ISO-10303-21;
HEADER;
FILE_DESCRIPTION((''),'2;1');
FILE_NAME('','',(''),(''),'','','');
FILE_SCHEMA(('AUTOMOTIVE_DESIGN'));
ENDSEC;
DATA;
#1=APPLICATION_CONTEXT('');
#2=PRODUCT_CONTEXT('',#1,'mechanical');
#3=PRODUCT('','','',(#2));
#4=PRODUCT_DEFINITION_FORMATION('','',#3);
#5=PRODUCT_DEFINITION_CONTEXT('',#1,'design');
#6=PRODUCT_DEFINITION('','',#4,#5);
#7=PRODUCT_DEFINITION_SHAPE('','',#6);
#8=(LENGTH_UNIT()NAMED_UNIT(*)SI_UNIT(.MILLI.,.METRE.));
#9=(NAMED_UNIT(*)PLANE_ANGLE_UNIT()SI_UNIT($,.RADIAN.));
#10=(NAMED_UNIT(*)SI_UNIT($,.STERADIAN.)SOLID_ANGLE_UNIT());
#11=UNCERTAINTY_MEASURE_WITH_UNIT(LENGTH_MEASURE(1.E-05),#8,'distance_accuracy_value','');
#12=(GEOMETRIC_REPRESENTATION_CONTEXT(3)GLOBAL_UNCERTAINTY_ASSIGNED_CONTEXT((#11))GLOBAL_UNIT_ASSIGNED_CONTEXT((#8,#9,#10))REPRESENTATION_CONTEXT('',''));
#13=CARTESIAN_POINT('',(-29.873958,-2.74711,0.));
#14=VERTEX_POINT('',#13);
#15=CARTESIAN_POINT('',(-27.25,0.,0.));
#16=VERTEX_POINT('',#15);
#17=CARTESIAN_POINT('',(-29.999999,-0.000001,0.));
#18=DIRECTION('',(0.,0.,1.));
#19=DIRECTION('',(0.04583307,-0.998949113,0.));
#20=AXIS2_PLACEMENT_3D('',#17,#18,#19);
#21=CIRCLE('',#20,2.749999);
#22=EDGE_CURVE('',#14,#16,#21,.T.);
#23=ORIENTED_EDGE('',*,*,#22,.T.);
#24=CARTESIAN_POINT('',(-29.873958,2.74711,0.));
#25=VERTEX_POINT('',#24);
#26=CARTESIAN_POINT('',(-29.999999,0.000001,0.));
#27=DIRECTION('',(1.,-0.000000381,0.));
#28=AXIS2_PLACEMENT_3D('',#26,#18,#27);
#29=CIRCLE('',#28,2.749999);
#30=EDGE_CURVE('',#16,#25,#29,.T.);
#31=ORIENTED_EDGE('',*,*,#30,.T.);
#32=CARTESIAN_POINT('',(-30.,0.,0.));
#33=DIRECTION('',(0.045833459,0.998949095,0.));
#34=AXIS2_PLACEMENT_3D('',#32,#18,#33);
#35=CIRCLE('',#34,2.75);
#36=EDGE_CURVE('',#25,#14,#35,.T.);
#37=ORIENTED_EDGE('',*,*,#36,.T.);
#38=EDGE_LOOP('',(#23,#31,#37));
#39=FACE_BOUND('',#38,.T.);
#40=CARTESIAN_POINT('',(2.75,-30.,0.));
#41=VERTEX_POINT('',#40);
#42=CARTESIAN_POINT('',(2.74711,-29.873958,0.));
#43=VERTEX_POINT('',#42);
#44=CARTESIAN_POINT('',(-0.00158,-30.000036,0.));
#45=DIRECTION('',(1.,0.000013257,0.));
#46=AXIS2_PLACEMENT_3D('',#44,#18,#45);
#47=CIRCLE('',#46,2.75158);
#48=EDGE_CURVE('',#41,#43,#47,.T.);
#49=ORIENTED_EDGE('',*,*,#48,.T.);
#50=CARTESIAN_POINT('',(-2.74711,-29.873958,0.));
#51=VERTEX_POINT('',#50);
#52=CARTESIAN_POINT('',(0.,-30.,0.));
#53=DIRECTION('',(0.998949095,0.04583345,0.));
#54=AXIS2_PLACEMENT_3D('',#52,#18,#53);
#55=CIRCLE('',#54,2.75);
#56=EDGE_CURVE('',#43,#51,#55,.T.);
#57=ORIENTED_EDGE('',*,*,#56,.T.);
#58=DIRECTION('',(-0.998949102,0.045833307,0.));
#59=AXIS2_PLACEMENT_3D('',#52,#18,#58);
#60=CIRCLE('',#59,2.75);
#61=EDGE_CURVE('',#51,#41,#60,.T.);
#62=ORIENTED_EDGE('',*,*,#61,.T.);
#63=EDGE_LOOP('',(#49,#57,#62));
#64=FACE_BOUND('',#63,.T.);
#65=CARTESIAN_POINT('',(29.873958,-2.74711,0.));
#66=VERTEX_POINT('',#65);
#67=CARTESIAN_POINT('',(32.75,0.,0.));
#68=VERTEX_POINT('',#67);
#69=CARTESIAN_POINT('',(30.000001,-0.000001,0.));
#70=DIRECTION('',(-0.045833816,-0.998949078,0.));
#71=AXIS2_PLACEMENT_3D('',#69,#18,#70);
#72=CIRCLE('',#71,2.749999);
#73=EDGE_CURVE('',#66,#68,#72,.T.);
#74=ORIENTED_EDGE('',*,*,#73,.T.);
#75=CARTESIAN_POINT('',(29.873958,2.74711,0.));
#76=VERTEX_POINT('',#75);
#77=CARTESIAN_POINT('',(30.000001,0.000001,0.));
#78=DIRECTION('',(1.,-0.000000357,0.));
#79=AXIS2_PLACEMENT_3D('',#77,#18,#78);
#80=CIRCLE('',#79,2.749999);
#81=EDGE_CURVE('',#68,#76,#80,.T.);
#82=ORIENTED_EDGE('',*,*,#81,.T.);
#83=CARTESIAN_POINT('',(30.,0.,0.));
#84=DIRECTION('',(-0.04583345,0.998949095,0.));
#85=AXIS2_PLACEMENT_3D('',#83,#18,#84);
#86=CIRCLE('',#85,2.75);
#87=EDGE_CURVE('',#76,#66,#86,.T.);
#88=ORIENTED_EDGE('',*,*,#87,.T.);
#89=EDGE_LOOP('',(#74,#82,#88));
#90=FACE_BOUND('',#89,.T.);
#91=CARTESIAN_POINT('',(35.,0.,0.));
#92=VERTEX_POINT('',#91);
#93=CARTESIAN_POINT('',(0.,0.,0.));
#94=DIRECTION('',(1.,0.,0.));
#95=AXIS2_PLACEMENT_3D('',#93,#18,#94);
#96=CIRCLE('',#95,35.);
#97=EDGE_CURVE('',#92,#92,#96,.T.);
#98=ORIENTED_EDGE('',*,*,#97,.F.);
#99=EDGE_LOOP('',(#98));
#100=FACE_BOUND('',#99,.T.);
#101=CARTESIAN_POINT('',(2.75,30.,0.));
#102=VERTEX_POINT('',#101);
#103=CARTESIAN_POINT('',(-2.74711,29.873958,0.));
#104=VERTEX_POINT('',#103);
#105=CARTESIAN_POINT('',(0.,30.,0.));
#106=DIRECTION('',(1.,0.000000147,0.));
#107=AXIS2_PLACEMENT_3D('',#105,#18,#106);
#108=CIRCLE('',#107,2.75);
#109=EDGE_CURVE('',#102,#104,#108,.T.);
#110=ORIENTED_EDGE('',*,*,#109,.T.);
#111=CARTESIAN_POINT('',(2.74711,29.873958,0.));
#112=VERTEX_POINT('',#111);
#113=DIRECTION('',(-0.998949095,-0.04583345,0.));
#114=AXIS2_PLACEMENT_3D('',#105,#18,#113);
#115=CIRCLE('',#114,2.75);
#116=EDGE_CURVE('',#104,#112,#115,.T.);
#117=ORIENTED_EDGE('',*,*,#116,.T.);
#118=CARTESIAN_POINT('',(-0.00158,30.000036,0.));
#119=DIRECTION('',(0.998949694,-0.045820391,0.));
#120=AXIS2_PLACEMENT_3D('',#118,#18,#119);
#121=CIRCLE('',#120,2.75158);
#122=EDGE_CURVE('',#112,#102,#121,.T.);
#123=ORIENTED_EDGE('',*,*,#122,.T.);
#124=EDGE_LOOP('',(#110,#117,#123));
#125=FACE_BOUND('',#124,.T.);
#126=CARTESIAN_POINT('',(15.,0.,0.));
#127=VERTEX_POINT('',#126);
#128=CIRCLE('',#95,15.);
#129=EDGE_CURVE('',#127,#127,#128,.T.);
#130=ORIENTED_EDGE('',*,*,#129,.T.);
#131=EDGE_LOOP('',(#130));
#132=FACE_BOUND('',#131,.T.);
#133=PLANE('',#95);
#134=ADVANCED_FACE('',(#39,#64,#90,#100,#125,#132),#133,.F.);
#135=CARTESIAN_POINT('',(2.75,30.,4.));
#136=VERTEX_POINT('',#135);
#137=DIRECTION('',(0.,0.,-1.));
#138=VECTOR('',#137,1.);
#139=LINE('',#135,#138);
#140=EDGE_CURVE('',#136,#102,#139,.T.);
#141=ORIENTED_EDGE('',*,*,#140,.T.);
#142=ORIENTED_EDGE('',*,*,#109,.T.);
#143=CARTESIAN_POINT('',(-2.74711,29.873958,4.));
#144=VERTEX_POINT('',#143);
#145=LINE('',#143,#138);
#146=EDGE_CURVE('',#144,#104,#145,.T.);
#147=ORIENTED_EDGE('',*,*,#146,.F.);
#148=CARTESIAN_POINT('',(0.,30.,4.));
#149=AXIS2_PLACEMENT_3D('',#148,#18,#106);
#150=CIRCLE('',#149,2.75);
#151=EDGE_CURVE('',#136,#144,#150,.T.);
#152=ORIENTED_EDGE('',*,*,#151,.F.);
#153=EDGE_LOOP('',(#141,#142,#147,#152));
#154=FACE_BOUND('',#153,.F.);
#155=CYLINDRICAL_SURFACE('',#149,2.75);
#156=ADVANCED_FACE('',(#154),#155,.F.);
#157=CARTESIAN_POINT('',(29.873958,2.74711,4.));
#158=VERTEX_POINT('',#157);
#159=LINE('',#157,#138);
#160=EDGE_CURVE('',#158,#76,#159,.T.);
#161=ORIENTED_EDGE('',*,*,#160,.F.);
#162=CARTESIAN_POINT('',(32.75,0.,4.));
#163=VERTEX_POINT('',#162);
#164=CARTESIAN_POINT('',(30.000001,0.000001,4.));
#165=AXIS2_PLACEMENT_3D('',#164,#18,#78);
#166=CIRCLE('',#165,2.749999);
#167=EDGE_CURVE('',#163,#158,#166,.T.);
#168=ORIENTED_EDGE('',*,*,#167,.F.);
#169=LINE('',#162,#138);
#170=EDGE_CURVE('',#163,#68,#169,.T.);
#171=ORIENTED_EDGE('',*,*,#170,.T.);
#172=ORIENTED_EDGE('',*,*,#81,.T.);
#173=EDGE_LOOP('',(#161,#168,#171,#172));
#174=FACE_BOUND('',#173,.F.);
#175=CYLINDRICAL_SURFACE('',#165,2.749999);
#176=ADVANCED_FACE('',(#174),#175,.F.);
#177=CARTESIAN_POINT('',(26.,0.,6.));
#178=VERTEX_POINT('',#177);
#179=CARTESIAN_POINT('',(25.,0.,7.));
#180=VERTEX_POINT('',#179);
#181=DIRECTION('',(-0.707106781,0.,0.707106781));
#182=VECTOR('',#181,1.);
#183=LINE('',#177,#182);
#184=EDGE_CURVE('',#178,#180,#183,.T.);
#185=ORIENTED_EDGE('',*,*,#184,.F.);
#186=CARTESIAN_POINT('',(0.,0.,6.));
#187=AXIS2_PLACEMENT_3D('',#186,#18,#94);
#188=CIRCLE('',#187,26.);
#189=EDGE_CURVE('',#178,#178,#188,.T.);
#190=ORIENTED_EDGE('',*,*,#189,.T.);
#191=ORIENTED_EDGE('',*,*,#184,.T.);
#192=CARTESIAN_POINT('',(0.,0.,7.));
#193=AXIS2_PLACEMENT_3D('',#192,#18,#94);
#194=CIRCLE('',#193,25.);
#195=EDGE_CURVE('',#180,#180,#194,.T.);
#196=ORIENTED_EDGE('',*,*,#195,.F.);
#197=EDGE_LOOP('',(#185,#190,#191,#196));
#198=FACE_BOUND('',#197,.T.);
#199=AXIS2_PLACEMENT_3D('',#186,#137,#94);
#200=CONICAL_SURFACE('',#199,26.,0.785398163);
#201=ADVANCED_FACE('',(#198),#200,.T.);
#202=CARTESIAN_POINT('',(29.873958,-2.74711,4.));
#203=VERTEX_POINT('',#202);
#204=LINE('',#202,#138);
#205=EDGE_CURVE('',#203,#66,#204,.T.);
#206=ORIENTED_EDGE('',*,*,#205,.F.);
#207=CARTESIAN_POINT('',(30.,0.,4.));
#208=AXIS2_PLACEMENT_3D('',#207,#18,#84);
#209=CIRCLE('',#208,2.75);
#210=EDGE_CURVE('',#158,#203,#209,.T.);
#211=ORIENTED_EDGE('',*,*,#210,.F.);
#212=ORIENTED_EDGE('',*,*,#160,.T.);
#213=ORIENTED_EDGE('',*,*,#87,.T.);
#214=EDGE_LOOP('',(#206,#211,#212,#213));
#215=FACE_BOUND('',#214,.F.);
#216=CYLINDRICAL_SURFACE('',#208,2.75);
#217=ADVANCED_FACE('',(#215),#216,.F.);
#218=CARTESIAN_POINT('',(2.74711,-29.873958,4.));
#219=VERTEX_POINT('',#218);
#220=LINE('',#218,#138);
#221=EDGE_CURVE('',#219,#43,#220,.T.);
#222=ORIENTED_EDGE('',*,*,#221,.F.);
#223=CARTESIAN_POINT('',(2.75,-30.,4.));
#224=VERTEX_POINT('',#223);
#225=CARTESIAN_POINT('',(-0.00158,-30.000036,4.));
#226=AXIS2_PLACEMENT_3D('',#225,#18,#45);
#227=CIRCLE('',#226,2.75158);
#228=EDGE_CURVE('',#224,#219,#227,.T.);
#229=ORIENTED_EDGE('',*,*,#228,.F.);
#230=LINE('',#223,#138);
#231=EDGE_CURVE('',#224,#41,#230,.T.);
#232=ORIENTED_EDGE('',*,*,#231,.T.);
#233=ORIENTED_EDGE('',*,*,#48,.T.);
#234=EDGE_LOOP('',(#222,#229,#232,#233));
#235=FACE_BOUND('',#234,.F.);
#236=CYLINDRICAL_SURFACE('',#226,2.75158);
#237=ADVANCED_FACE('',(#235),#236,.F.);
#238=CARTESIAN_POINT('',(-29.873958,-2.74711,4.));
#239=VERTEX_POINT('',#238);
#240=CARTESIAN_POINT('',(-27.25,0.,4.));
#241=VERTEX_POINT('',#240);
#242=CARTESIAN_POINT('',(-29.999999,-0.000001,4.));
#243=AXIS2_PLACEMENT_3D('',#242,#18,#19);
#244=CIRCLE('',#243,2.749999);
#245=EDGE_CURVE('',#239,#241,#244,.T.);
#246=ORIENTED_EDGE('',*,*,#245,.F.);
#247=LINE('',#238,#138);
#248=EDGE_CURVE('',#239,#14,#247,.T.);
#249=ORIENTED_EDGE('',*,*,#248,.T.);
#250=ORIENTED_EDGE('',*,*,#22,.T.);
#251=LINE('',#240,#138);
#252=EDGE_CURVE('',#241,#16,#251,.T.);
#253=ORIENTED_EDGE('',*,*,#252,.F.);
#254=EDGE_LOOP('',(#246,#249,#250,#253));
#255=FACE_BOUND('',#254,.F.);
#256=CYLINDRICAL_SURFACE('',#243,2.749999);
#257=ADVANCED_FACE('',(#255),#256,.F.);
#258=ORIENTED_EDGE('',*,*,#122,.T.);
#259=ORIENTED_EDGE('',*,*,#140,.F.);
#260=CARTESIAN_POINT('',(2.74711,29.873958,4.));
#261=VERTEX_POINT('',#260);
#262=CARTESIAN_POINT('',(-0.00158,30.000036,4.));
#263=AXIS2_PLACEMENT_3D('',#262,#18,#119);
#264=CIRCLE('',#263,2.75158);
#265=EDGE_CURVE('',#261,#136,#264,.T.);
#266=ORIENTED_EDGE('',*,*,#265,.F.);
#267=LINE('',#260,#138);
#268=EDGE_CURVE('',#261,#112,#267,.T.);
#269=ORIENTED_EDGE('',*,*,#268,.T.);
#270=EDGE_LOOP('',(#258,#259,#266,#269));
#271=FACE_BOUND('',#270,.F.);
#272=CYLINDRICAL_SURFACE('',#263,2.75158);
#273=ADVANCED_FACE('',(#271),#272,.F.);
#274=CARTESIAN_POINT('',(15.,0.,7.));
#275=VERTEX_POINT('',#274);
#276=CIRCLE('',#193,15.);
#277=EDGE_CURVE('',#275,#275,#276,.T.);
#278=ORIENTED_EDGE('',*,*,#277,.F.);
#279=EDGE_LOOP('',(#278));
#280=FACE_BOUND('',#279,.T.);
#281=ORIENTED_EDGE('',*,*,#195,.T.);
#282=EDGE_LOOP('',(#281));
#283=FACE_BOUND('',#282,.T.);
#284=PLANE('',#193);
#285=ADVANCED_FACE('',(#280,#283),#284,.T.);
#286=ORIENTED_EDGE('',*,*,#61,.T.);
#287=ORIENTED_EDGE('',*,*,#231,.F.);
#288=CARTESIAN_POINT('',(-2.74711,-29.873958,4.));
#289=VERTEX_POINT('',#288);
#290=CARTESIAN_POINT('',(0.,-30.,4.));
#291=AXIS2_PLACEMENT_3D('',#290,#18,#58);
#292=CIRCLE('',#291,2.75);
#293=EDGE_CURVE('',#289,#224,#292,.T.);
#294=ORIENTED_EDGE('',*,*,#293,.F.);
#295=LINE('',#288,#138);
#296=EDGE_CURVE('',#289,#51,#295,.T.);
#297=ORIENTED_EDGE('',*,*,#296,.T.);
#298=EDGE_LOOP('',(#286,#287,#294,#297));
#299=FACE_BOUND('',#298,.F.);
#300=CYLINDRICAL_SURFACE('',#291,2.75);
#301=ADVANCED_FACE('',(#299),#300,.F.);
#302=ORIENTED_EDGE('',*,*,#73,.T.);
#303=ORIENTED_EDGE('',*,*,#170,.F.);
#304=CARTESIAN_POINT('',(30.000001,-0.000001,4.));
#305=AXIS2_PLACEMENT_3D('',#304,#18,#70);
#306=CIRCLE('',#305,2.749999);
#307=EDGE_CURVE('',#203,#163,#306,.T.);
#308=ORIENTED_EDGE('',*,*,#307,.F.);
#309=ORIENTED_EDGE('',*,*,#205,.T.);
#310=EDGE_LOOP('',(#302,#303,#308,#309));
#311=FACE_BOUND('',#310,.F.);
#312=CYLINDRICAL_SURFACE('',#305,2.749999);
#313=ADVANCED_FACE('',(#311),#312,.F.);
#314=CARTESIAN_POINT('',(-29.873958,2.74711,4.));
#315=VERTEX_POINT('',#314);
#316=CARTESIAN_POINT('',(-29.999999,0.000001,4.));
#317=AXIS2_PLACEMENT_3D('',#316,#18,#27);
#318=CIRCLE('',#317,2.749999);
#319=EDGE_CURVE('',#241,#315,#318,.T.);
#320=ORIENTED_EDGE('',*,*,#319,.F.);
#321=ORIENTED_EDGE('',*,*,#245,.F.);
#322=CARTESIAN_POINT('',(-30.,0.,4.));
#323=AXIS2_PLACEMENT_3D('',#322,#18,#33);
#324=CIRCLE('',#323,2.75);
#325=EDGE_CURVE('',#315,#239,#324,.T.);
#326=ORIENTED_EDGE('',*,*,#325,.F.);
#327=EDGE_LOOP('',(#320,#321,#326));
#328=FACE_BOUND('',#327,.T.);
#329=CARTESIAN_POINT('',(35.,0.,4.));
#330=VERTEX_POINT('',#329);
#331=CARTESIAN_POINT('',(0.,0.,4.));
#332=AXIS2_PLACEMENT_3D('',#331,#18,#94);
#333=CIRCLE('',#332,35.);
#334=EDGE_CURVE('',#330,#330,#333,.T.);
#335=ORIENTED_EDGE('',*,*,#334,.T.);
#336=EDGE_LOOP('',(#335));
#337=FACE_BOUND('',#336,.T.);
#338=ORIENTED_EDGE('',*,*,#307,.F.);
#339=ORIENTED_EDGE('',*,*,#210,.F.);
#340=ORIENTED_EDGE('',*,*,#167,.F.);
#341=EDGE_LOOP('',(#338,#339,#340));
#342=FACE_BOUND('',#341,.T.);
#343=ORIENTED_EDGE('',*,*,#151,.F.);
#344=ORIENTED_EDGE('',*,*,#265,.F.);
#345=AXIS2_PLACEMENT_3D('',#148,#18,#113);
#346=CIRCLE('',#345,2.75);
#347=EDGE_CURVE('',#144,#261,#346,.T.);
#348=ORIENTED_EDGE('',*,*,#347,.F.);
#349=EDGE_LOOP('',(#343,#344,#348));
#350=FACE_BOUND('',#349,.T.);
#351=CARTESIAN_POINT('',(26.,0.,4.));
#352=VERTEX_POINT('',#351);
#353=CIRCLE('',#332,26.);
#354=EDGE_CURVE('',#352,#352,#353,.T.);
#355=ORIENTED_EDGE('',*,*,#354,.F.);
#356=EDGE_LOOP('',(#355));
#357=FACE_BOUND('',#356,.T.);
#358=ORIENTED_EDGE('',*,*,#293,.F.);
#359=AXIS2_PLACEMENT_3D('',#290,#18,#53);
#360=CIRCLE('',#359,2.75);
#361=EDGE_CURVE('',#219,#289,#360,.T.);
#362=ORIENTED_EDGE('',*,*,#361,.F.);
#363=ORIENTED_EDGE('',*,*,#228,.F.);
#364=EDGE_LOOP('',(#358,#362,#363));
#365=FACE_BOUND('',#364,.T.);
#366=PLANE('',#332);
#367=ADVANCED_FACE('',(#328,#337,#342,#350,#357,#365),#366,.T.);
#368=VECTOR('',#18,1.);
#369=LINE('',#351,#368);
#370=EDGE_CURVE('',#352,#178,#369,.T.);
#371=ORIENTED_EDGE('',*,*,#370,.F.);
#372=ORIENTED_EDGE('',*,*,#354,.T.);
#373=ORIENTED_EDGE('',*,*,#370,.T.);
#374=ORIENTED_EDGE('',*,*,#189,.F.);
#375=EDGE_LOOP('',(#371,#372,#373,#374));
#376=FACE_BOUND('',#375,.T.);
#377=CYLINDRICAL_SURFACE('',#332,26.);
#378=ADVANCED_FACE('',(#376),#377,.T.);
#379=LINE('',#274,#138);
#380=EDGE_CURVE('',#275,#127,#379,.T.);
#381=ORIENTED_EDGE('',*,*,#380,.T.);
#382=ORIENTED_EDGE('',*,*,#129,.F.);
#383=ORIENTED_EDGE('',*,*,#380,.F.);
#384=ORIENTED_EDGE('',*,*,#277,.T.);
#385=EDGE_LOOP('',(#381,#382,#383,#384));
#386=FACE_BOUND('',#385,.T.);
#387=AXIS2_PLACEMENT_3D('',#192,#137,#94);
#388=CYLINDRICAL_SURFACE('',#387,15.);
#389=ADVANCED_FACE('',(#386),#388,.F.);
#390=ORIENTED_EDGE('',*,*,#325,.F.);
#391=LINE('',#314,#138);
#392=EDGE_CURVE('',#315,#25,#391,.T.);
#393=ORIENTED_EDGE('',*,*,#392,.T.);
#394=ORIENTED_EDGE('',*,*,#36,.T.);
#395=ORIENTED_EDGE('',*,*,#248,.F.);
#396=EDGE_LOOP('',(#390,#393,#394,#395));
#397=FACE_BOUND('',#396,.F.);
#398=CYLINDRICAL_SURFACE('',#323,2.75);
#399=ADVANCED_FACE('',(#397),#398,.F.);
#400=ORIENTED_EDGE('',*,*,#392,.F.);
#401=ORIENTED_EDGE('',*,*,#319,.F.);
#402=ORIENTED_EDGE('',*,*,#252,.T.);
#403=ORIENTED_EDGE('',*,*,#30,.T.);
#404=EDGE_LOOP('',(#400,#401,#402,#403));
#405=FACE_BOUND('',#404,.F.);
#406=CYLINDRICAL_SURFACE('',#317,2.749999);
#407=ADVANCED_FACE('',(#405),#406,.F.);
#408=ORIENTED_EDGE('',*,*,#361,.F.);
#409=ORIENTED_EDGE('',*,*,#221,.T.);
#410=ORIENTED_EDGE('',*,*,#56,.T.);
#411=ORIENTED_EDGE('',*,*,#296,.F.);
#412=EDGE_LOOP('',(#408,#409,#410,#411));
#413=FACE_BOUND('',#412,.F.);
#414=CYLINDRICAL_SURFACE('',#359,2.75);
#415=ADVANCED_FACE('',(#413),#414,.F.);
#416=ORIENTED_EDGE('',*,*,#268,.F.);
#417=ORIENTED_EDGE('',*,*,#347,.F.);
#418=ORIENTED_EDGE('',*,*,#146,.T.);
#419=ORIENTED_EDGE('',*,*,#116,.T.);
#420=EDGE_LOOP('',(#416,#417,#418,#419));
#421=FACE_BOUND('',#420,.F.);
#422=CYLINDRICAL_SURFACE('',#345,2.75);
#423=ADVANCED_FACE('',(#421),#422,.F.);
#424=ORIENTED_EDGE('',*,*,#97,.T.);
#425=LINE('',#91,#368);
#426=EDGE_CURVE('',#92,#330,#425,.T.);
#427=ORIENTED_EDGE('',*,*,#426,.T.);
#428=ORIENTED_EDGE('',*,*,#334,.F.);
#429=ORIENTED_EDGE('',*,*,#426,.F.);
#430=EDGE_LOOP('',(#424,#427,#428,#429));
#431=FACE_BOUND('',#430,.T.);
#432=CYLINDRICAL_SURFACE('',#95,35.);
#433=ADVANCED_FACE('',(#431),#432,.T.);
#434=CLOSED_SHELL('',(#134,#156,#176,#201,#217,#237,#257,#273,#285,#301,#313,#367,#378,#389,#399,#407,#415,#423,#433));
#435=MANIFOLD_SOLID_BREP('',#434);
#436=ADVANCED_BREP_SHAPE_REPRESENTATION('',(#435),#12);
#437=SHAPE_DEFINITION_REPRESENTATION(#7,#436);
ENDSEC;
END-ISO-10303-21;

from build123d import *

# Parameters (mm, degrees)
F2_SIZE  = 1
F4_DEPTH = 4


with BuildPart() as f1:
    # F0 (on Front) → F1 (revolve)
    with BuildSketch(Plane.XZ):
        Polygon((15, 7), (15, 0), (35, 0), (35, 4), (26, 4), (26, 7), align=None)
    revolve(axis=Axis((0, 0, 26.826651), (0, 0, 1)))

    # F2
    f2_edges = [f1.edges().sort_by_distance(p)[0] for p in [
        (-26, 0, 7),
    ]]
    chamfer(f2_edges, length=F2_SIZE)

    # F3 (on face) → F4 (cut)
    with BuildSketch(Plane.XY.offset(4)):
        with BuildLine():
            ThreePointArc((2.75, 30), (-0.063037, 32.749277), (-2.74711, 29.873958))
            ThreePointArc((-2.74711, 29.873958), (0, 27.25), (2.74711, 29.873958))
            ThreePointArc((2.74711, 29.873958), (2.749277, 29.936963), (2.75, 30))
        make_face()
        with BuildLine():
            ThreePointArc((-27.25, 0), (-28.011393, 1.899459), (-29.873958, 2.74711))
            ThreePointArc((-29.873958, 2.74711), (-32.75, 0), (-29.873958, -2.74711))
            ThreePointArc((-29.873958, -2.74711), (-28.011393, -1.899459), (-27.25, 0))
        make_face()
        with BuildLine():
            ThreePointArc((2.74711, -29.873958), (0, -27.25), (-2.74711, -29.873958))
            ThreePointArc((-2.74711, -29.873958), (-0.063037, -32.749277), (2.75, -30))
            ThreePointArc((2.75, -30), (2.749277, -29.936963), (2.74711, -29.873958))
        make_face()
        with BuildLine():
            ThreePointArc((32.75, 0), (31.899459, 1.988607), (29.873958, 2.74711))
            ThreePointArc((29.873958, 2.74711), (27.25, 0), (29.873958, -2.74711))
            ThreePointArc((29.873958, -2.74711), (31.899459, -1.988607), (32.75, 0))
        make_face()
    extrude(amount=-F4_DEPTH, mode=Mode.SUBTRACT)


solid = f1.part
